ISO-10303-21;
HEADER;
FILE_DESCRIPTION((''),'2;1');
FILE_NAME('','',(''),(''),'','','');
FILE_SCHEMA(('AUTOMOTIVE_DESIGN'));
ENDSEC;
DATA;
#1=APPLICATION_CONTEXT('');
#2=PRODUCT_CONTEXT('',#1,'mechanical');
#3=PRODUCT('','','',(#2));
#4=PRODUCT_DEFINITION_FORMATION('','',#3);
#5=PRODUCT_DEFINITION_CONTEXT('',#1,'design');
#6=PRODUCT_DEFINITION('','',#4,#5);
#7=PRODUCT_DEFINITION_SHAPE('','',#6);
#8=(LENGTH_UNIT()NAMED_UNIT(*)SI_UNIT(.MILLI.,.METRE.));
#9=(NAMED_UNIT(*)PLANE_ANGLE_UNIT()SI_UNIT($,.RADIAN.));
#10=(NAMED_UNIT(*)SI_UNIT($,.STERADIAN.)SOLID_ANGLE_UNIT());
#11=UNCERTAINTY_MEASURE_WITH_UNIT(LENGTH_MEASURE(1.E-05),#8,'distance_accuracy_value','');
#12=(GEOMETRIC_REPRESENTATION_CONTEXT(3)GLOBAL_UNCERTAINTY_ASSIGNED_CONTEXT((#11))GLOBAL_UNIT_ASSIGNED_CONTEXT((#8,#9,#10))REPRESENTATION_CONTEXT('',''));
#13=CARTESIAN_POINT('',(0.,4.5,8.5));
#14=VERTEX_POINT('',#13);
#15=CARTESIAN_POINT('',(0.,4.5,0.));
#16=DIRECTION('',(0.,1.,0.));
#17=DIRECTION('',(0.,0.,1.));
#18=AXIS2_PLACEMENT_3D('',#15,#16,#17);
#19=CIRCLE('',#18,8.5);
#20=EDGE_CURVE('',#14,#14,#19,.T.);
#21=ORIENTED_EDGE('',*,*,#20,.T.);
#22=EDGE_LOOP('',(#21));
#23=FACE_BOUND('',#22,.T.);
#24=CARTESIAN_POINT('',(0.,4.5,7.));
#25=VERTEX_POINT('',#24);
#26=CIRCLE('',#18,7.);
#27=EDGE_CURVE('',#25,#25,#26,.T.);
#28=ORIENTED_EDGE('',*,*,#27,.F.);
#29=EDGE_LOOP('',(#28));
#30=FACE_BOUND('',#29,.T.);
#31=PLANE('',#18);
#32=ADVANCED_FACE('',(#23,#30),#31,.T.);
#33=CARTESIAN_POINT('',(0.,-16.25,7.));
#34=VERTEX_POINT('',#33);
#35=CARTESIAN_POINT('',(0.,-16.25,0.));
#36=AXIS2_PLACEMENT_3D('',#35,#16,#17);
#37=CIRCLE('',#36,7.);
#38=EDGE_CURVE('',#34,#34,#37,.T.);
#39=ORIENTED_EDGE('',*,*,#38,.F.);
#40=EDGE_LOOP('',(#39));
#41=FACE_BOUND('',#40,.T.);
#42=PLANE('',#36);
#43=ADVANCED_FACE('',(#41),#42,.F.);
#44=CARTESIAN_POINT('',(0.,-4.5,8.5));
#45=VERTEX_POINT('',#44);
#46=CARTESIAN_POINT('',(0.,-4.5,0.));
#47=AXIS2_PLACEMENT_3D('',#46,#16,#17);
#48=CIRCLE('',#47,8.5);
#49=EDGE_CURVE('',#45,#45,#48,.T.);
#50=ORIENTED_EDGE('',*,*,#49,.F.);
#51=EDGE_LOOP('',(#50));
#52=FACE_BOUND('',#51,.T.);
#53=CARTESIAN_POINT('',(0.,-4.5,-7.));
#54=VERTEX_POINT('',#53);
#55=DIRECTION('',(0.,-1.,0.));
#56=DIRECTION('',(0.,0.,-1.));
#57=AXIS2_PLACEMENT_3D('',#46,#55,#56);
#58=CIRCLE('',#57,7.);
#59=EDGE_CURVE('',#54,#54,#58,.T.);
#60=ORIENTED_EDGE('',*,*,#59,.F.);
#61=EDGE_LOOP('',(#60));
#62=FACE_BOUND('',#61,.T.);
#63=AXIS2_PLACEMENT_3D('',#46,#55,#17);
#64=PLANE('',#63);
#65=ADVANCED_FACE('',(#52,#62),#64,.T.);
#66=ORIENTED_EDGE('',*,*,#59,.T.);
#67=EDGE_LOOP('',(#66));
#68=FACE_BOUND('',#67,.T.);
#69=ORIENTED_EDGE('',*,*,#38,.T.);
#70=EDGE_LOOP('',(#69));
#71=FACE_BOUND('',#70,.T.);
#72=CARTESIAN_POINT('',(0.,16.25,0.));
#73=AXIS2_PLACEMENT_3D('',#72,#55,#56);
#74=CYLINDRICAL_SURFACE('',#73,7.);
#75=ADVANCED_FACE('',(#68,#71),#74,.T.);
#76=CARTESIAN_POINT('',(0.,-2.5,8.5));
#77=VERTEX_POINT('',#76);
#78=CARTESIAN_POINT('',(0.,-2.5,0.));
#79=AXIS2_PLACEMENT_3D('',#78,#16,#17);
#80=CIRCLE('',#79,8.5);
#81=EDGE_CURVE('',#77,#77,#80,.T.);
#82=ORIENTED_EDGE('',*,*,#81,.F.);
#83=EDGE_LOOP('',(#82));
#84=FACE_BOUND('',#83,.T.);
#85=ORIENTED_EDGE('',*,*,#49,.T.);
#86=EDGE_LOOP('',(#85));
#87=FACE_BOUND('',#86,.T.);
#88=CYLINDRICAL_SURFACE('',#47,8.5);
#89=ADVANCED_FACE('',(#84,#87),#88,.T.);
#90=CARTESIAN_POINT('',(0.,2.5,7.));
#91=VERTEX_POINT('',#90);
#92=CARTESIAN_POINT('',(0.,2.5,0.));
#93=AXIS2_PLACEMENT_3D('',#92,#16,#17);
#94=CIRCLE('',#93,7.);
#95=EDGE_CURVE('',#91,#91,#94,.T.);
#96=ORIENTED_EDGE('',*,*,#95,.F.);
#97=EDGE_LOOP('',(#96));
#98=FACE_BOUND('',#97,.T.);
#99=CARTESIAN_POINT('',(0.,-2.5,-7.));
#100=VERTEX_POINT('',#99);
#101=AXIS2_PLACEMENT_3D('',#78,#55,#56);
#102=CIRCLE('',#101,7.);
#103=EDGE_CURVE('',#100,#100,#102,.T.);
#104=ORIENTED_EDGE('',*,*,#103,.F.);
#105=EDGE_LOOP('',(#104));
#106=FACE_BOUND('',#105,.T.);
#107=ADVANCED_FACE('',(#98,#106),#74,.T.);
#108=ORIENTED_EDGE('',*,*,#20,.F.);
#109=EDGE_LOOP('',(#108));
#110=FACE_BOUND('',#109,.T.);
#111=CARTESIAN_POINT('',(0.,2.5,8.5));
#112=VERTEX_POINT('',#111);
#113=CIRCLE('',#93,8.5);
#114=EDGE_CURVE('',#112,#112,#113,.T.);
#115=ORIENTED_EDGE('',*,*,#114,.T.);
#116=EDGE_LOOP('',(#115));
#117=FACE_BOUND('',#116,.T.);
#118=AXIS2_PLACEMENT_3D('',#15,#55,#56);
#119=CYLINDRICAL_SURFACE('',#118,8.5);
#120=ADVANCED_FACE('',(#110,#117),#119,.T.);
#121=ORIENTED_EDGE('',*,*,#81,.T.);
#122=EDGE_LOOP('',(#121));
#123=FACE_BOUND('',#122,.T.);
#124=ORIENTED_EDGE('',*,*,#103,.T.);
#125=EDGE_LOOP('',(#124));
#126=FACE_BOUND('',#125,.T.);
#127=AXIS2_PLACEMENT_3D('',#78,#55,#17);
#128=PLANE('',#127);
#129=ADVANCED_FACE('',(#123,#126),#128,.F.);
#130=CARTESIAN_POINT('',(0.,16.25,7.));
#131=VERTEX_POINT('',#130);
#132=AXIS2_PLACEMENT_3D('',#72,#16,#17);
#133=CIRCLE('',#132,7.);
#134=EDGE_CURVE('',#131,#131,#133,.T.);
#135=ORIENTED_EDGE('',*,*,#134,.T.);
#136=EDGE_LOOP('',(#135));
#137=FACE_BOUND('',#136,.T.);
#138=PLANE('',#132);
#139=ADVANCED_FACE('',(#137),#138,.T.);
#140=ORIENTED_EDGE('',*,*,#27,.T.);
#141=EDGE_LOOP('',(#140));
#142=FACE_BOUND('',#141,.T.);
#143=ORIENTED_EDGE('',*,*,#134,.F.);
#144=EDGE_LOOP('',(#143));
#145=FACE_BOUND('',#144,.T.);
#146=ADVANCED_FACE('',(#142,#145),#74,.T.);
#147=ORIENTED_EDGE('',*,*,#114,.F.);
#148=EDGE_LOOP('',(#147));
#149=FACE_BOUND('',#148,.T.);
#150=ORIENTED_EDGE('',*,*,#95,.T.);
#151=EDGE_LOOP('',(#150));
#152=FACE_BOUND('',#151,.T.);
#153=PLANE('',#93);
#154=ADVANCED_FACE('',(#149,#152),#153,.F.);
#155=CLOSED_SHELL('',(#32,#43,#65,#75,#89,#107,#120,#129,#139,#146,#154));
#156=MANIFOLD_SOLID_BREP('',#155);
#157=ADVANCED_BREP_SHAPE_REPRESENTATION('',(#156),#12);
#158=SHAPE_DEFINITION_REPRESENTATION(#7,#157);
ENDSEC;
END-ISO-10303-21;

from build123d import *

# Parameters (mm, degrees)
SKETCH_1_R      = 7
EXTRUDE_1_DEPTH = 16.25
EXTRUDE_START   = 2.5
SKETCH_2_R      = 8.5
EXTRUDE_2_DEPTH = 2


with BuildPart() as part:
    # 草图1 → 凸台-拉伸1 (new body, symmetric)
    with BuildSketch(Plane(origin=(0, 0, 0), x_dir=(1, 0, 0), z_dir=(0, 1, 0))):
        Circle(SKETCH_1_R)
    extrude(amount=EXTRUDE_1_DEPTH, both=True)

    # 草图2 → 凸台-拉伸2 (add)
    with BuildSketch(Plane(origin=(0, 0, 0), x_dir=(1, 0, 0), z_dir=(0, 1, 0)).offset(EXTRUDE_START)):
        Circle(SKETCH_2_R)
    extrude_2 = extrude(amount=EXTRUDE_2_DEPTH)

    # 镜向1: 凸台-拉伸2 across plane
    add(extrude_2.mirror(Plane.ZX))


solid = part.part
